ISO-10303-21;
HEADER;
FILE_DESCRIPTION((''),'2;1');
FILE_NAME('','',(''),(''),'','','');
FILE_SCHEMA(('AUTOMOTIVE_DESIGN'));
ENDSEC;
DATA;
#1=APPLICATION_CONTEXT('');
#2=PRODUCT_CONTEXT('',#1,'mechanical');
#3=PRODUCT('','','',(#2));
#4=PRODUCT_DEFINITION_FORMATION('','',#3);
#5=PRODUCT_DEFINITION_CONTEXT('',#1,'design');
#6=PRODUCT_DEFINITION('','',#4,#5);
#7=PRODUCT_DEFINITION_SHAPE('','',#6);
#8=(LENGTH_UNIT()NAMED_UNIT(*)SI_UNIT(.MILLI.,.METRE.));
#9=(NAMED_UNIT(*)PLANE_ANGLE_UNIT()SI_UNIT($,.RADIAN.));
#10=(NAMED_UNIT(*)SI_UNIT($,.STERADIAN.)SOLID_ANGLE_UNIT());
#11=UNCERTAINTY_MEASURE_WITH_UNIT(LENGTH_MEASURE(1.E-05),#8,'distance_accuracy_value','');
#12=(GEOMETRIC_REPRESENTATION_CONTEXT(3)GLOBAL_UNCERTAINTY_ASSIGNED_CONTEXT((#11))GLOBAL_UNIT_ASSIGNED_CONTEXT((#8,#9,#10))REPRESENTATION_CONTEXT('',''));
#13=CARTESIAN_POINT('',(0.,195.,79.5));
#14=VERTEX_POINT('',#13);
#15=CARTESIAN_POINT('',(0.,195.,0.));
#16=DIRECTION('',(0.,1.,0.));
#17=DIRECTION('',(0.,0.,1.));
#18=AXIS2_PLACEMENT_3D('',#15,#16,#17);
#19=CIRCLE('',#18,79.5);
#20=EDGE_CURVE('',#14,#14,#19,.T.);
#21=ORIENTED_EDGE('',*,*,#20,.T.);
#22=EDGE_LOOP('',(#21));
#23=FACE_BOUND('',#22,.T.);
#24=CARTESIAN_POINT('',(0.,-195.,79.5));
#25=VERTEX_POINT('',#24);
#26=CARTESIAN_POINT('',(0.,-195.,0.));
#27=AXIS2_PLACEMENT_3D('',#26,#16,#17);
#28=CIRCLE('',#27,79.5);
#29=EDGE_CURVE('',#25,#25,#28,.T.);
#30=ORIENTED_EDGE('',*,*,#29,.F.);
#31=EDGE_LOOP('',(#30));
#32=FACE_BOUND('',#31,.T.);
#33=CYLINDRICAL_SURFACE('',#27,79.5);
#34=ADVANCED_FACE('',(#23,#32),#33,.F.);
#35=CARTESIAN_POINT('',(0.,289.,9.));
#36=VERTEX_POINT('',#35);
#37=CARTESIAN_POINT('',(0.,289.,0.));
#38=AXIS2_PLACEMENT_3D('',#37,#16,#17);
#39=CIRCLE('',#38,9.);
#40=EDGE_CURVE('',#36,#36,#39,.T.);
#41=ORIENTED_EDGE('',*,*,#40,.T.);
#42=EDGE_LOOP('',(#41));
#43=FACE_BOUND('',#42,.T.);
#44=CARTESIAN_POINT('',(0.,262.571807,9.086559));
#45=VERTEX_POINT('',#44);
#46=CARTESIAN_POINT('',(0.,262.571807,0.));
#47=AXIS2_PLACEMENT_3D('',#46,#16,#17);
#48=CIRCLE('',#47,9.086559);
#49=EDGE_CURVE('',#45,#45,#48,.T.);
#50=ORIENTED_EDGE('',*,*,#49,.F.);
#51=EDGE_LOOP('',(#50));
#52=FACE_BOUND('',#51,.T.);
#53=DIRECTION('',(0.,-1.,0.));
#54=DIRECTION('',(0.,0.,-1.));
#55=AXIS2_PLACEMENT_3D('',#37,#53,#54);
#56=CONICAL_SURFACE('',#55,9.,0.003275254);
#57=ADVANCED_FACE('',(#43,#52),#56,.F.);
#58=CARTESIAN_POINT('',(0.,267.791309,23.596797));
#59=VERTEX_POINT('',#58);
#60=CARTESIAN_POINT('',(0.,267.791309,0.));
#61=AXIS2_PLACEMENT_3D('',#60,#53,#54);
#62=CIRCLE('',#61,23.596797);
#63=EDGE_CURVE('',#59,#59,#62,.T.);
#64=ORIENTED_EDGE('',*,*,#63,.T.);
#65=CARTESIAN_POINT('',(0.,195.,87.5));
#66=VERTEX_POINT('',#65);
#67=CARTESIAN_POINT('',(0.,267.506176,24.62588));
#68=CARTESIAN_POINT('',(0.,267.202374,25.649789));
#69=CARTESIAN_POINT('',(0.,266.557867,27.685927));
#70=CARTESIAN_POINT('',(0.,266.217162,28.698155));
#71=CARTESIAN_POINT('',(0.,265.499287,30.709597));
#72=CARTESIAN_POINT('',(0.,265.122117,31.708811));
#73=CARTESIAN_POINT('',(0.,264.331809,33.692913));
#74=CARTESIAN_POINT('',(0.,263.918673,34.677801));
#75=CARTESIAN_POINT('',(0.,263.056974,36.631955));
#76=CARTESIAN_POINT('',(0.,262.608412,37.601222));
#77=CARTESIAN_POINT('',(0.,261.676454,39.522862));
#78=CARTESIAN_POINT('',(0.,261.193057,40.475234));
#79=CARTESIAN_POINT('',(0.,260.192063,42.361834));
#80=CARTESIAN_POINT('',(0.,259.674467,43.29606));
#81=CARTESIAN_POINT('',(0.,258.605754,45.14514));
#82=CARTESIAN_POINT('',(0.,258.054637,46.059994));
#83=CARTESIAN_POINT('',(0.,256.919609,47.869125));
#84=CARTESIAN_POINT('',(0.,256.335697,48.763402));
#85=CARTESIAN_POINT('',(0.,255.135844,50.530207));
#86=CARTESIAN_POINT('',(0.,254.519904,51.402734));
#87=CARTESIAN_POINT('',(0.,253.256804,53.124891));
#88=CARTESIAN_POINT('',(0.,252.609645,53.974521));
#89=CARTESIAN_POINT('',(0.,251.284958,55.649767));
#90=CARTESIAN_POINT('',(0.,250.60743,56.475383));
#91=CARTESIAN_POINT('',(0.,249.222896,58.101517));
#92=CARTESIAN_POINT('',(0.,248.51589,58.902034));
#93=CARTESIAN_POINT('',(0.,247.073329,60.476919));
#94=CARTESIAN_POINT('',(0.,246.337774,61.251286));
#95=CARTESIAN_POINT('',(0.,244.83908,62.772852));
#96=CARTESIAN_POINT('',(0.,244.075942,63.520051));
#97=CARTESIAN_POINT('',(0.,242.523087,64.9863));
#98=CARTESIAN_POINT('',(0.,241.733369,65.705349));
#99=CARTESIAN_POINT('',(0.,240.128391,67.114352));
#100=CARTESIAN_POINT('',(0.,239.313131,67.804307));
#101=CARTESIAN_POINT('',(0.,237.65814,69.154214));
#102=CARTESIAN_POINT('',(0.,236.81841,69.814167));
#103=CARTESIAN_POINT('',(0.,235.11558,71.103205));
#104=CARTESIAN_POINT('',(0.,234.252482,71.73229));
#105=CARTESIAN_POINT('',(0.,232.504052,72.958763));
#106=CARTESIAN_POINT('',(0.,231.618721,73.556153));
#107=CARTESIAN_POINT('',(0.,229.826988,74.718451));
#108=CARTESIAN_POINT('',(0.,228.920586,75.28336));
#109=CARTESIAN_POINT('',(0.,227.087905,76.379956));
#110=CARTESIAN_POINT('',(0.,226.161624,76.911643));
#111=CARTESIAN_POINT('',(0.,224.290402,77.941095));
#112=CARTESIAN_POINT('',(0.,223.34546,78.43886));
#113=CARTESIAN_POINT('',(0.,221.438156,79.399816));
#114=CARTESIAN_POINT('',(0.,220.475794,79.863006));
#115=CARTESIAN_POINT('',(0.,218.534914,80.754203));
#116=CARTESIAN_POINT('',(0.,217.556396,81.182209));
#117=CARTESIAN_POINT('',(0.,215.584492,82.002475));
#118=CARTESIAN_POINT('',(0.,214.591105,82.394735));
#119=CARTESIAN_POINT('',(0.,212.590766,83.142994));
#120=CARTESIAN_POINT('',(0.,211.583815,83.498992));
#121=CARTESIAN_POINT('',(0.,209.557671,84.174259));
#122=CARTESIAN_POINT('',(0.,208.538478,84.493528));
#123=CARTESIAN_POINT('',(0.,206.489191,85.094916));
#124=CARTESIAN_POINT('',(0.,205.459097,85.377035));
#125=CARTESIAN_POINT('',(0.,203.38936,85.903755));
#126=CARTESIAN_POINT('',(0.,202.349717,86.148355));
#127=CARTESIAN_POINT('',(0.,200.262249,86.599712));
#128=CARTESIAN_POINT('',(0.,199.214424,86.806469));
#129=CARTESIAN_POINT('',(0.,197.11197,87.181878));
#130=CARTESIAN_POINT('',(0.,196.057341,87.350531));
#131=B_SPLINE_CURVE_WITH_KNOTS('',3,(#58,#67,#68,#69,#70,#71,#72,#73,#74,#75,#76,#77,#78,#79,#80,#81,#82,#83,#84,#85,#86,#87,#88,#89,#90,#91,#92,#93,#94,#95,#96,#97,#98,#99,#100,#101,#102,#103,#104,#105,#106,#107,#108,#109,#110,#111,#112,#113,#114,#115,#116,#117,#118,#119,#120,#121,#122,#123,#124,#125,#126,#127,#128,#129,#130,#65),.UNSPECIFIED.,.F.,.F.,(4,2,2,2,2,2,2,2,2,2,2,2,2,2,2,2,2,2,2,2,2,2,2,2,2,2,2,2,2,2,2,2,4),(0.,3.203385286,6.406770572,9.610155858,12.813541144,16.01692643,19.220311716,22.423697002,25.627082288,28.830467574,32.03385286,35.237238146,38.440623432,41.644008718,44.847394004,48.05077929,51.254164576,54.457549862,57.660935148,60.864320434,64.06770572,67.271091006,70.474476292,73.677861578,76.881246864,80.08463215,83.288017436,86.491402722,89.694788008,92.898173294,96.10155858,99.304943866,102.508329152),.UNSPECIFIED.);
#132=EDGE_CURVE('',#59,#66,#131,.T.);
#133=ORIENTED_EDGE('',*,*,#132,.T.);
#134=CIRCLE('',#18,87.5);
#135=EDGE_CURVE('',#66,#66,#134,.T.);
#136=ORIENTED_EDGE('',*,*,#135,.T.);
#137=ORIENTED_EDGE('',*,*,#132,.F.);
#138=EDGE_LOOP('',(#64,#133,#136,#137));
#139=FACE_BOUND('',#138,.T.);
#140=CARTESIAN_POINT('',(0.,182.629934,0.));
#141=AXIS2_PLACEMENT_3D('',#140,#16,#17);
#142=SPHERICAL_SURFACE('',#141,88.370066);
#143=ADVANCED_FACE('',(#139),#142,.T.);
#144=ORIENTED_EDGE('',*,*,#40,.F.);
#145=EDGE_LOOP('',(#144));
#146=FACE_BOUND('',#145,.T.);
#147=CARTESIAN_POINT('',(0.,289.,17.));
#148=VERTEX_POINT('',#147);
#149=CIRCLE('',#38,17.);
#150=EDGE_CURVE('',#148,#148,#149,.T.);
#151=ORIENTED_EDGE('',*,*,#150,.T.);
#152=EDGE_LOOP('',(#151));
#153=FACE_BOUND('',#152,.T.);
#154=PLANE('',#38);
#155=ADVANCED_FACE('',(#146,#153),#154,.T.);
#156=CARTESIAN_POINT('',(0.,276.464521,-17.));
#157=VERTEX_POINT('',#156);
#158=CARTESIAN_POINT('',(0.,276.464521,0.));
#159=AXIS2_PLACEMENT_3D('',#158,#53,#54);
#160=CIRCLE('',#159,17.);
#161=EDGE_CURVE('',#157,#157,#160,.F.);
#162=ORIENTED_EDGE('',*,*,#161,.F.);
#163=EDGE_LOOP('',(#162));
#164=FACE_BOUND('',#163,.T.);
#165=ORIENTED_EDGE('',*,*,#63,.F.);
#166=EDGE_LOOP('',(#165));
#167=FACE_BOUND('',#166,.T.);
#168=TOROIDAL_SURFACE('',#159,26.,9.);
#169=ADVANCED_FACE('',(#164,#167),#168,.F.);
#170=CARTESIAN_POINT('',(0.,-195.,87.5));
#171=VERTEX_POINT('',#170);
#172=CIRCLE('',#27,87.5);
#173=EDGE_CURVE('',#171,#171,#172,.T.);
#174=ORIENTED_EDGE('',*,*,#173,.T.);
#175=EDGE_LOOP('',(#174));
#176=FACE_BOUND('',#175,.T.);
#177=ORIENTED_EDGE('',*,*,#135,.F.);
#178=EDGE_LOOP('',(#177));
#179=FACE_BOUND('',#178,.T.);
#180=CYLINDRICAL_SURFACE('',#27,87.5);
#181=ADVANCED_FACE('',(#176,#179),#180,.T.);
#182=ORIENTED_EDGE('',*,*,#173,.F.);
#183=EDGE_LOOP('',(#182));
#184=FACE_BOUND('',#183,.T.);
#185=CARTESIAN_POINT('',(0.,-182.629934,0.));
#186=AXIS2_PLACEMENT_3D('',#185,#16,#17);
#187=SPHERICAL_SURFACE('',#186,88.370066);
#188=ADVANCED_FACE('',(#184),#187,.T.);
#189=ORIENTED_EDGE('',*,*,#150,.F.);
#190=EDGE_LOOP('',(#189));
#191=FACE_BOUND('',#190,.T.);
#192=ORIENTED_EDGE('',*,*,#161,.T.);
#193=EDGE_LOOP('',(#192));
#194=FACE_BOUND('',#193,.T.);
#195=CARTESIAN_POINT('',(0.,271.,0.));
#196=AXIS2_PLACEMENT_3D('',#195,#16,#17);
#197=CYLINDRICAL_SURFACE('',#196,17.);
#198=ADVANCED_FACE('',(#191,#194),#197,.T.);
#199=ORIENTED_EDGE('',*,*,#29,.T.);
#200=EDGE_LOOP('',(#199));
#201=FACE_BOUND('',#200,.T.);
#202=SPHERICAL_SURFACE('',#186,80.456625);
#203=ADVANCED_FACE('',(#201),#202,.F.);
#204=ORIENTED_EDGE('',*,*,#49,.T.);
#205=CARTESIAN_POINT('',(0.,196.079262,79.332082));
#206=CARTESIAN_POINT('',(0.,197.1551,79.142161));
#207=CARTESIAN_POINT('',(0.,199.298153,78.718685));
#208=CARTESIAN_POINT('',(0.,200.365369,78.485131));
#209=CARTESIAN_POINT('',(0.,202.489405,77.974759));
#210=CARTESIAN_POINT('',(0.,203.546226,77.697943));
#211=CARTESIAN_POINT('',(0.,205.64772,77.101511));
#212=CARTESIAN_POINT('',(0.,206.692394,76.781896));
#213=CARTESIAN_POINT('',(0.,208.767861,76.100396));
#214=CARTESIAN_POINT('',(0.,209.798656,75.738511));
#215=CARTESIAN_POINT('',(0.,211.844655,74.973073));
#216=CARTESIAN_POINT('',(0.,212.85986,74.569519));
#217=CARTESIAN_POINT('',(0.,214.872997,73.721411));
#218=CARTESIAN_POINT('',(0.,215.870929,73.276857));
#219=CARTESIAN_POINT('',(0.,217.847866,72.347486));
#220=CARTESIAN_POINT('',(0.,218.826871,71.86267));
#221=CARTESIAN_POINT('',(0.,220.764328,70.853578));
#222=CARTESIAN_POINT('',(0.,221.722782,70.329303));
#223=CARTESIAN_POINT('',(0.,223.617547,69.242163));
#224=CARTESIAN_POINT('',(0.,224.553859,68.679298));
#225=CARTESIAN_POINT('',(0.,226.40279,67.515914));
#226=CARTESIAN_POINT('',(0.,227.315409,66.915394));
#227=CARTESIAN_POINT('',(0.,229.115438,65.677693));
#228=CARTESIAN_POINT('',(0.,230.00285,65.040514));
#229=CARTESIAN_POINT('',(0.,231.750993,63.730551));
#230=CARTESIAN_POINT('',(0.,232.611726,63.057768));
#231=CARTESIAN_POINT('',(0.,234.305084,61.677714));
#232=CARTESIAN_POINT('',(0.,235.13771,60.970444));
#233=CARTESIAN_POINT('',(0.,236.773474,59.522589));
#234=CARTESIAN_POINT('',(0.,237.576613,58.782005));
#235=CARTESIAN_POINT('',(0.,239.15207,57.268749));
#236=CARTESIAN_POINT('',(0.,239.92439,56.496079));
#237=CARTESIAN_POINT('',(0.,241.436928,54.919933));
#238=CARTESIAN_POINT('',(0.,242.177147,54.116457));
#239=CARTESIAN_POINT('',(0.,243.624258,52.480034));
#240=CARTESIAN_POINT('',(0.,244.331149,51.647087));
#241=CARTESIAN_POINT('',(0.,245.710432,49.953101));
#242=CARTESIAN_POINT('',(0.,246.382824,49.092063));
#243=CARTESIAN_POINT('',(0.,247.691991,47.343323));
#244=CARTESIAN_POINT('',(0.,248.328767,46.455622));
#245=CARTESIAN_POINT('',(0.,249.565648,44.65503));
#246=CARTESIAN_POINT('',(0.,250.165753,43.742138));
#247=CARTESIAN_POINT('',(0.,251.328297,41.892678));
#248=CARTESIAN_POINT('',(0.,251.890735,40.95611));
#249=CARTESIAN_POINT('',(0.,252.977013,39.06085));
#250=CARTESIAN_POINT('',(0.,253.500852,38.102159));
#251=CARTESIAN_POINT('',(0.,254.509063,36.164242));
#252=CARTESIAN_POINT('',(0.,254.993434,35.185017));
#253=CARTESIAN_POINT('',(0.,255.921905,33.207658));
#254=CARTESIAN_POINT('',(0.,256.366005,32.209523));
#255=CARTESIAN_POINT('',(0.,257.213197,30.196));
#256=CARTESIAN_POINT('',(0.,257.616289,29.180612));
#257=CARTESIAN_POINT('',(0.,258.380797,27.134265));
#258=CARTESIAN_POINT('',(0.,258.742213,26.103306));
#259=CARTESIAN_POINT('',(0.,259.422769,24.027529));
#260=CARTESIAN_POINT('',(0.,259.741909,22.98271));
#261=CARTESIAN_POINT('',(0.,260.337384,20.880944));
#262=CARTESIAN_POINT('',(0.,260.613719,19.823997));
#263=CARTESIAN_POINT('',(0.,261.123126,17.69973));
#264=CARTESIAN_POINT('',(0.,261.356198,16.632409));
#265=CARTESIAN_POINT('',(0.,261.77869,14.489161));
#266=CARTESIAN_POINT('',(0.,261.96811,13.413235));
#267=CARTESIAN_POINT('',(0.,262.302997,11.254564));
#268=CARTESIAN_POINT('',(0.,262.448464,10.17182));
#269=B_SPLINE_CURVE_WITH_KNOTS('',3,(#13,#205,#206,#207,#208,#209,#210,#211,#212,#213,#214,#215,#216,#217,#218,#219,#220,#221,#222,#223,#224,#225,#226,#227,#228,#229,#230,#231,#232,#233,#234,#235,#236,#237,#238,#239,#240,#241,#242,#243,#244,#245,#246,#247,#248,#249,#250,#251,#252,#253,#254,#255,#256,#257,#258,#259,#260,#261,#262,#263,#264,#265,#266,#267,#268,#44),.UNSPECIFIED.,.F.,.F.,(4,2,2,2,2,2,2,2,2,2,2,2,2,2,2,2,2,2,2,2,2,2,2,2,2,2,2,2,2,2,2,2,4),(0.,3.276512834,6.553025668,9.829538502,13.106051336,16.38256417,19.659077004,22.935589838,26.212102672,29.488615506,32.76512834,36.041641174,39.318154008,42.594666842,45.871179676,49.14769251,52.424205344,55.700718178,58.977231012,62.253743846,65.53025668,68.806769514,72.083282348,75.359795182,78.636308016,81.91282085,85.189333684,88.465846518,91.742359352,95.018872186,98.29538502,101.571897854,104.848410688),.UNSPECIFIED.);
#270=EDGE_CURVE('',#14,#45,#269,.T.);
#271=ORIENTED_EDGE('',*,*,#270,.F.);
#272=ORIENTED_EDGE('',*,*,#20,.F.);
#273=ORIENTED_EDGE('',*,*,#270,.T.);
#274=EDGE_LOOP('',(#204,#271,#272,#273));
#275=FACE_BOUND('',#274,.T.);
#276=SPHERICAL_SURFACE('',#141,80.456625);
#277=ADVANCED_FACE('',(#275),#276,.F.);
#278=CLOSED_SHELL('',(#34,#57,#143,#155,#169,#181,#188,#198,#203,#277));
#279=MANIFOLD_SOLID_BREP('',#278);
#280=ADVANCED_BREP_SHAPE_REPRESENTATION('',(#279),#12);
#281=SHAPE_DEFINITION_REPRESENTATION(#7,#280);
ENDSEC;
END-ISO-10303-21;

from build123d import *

# Parameters (mm, degrees)
Y_KSEKLIK_EKSTR_ZYON1_DEPTH      = 195
Y_KSEKLIK_EKSTR_ZYON1_DEPTH_BACK = 195
IZIM2_R                          = 87.5
IZIM2_R_2                        = 79.5
RADYUS1_R                        = 9


with BuildPart() as part:
    # Çizim2 → Yükseklik-Ekstrüzyon1 (new, two sides: drawn at the far end of the back side and taken through both)
    with BuildSketch(Plane(origin=(0, 0, 0), x_dir=(1, 0, 0), z_dir=(0, 1, 0)).offset(-Y_KSEKLIK_EKSTR_ZYON1_DEPTH_BACK)):
        Circle(IZIM2_R)
        Circle(IZIM2_R_2, mode=Mode.SUBTRACT)
    extrude(amount=Y_KSEKLIK_EKSTR_ZYON1_DEPTH + Y_KSEKLIK_EKSTR_ZYON1_DEPTH_BACK)

    # Çizim3 → Döndür1 (revolve)
    with BuildSketch(Plane(origin=(0, 0, 0), x_dir=(0, 0, -1), z_dir=(1, 0, 0))):
        with BuildLine():
            Line((-9.025918617, 281.086559343), (-9, 289))
            Line((-9, 289), (-17, 289))
            Line((-17, 289), (-17, 269.349416033))
            ThreePointArc((-17, 269.349416033), (-64.125045155, 243.434926699), (-87.5, 195))
            Line((-87.5, 195), (-79.5, 195))
            ThreePointArc((-79.5, 195), (-55.708005592, 240.680658931), (-9.086559343, 262.571806636))
            Line((-9.086559343, 262.571806636), (-9.025918617, 281.086559343))
        make_face()
    revolve(axis=Axis((0, 271, 0), (0, -1, 0)))

    # Çizim4 → Döndür2 (revolve)
    with BuildSketch(Plane(origin=(0, 0, 0), x_dir=(0, 0, -1), z_dir=(1, 0, 0))):
        with BuildLine():
            Line((87.5, -195), (79.5, -195))
            ThreePointArc((79.5, -195), (52.335527042, -243.73853538), (0, -263.086559343))
            Line((0, -263.086559343), (0, -271))
            ThreePointArc((0, -271), (57.94879205, -249.347293478), (87.5, -195))
        make_face()
    revolve(axis=Axis((0, 271, 0), (0, -1, 0)))

    # Radyus1
    radyus1_edges = [part.edges().sort_by_distance(p)[0] for p in [
        (0, 269.349416033, -17),
    ]]
    fillet(radyus1_edges, radius=RADYUS1_R)


solid = part.part
